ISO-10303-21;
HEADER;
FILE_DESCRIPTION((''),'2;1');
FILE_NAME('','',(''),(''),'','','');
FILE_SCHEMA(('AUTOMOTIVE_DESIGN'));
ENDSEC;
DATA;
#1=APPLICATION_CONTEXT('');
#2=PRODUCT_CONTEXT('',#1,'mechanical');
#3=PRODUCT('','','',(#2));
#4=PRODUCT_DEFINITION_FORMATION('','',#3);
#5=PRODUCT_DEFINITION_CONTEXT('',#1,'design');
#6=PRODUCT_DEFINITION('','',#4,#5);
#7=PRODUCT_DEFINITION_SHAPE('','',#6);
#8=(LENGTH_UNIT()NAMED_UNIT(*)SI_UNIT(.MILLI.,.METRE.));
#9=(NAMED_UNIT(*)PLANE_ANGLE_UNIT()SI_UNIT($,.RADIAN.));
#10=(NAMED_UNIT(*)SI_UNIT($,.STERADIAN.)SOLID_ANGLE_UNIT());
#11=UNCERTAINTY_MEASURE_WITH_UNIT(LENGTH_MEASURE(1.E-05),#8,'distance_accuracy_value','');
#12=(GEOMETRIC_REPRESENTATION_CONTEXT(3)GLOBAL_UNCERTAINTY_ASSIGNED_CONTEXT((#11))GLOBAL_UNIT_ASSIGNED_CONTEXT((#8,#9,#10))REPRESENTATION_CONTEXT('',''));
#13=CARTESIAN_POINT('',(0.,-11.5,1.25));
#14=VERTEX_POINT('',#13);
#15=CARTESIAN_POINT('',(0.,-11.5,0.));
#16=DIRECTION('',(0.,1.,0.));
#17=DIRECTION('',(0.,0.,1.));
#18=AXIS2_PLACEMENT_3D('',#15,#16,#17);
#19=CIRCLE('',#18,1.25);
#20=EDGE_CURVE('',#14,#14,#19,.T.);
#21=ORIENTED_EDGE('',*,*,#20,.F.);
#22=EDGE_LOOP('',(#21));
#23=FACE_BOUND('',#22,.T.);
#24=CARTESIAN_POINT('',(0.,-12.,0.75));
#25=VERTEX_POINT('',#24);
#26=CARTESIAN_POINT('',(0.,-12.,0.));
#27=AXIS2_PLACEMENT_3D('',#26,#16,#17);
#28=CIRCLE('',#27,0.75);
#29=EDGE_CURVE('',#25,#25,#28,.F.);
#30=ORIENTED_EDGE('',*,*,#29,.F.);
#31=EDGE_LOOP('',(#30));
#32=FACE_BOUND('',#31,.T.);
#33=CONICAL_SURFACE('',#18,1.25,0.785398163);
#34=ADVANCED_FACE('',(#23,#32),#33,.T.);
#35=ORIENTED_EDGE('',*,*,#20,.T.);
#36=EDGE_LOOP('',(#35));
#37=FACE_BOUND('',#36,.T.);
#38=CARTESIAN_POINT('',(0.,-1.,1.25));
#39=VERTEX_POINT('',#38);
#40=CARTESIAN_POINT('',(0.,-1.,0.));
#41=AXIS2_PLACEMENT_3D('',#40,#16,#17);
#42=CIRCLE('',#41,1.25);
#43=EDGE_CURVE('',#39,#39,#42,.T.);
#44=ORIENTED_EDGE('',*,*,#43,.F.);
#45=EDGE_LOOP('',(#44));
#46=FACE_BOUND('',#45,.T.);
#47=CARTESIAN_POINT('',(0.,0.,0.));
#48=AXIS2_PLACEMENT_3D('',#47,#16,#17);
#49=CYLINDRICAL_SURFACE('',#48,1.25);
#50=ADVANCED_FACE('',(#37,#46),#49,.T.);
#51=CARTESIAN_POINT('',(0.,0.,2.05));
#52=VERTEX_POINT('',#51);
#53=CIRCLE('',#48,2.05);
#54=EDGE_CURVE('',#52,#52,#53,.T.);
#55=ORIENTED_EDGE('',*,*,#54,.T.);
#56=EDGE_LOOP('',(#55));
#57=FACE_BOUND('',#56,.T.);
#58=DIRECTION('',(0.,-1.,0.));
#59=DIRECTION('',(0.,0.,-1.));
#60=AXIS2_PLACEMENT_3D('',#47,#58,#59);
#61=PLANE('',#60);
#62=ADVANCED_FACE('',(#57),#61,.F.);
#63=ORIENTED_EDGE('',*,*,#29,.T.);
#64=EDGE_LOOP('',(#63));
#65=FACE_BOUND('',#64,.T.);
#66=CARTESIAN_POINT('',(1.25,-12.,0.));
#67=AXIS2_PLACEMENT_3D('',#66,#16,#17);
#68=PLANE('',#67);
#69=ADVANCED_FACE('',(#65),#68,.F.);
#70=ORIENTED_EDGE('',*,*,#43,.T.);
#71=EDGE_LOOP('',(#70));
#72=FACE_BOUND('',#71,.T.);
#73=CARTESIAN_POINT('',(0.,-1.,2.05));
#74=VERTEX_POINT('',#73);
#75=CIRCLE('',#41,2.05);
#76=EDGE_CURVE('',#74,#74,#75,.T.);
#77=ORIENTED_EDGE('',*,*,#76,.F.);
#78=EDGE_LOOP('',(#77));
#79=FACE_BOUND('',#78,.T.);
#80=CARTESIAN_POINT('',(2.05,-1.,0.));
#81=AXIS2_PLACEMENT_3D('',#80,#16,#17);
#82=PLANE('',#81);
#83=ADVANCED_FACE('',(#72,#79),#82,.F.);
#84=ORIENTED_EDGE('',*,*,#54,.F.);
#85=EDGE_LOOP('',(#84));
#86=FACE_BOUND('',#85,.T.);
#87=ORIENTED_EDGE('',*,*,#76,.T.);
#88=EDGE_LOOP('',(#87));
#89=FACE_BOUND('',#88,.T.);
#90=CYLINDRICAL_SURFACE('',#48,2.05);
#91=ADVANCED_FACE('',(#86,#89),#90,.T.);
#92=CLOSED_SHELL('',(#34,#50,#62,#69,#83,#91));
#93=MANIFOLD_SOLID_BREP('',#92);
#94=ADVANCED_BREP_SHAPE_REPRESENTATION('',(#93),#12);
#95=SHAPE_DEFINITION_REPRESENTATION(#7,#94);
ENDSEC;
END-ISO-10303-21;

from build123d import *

# Parameters (mm, degrees)
CHAFL_N1_SIZE = 0.5


with BuildPart() as part:
    # Croquis1 → Revolución1 (revolve)
    with BuildSketch(Plane.XY, mode=Mode.PRIVATE) as revoluci_n1_sk:
        Polygon((0, 0), (2.05, 0), (2.05, -1), (1.25, -1), (1.25, -12), (0, -12), align=None)
    revolve(revoluci_n1_sk.sketch.rotate(Axis((0, 0, 0), (0, -1, 0)), 90), axis=Axis((0, 0, 0), (0, -1, 0)))

    # Chaflán1
    chafl_n1_edges = [part.edges().sort_by_distance(p)[0] for p in [
        (0, -12, -1.25),
    ]]
    chamfer(chafl_n1_edges, length=CHAFL_N1_SIZE)


solid = part.part
